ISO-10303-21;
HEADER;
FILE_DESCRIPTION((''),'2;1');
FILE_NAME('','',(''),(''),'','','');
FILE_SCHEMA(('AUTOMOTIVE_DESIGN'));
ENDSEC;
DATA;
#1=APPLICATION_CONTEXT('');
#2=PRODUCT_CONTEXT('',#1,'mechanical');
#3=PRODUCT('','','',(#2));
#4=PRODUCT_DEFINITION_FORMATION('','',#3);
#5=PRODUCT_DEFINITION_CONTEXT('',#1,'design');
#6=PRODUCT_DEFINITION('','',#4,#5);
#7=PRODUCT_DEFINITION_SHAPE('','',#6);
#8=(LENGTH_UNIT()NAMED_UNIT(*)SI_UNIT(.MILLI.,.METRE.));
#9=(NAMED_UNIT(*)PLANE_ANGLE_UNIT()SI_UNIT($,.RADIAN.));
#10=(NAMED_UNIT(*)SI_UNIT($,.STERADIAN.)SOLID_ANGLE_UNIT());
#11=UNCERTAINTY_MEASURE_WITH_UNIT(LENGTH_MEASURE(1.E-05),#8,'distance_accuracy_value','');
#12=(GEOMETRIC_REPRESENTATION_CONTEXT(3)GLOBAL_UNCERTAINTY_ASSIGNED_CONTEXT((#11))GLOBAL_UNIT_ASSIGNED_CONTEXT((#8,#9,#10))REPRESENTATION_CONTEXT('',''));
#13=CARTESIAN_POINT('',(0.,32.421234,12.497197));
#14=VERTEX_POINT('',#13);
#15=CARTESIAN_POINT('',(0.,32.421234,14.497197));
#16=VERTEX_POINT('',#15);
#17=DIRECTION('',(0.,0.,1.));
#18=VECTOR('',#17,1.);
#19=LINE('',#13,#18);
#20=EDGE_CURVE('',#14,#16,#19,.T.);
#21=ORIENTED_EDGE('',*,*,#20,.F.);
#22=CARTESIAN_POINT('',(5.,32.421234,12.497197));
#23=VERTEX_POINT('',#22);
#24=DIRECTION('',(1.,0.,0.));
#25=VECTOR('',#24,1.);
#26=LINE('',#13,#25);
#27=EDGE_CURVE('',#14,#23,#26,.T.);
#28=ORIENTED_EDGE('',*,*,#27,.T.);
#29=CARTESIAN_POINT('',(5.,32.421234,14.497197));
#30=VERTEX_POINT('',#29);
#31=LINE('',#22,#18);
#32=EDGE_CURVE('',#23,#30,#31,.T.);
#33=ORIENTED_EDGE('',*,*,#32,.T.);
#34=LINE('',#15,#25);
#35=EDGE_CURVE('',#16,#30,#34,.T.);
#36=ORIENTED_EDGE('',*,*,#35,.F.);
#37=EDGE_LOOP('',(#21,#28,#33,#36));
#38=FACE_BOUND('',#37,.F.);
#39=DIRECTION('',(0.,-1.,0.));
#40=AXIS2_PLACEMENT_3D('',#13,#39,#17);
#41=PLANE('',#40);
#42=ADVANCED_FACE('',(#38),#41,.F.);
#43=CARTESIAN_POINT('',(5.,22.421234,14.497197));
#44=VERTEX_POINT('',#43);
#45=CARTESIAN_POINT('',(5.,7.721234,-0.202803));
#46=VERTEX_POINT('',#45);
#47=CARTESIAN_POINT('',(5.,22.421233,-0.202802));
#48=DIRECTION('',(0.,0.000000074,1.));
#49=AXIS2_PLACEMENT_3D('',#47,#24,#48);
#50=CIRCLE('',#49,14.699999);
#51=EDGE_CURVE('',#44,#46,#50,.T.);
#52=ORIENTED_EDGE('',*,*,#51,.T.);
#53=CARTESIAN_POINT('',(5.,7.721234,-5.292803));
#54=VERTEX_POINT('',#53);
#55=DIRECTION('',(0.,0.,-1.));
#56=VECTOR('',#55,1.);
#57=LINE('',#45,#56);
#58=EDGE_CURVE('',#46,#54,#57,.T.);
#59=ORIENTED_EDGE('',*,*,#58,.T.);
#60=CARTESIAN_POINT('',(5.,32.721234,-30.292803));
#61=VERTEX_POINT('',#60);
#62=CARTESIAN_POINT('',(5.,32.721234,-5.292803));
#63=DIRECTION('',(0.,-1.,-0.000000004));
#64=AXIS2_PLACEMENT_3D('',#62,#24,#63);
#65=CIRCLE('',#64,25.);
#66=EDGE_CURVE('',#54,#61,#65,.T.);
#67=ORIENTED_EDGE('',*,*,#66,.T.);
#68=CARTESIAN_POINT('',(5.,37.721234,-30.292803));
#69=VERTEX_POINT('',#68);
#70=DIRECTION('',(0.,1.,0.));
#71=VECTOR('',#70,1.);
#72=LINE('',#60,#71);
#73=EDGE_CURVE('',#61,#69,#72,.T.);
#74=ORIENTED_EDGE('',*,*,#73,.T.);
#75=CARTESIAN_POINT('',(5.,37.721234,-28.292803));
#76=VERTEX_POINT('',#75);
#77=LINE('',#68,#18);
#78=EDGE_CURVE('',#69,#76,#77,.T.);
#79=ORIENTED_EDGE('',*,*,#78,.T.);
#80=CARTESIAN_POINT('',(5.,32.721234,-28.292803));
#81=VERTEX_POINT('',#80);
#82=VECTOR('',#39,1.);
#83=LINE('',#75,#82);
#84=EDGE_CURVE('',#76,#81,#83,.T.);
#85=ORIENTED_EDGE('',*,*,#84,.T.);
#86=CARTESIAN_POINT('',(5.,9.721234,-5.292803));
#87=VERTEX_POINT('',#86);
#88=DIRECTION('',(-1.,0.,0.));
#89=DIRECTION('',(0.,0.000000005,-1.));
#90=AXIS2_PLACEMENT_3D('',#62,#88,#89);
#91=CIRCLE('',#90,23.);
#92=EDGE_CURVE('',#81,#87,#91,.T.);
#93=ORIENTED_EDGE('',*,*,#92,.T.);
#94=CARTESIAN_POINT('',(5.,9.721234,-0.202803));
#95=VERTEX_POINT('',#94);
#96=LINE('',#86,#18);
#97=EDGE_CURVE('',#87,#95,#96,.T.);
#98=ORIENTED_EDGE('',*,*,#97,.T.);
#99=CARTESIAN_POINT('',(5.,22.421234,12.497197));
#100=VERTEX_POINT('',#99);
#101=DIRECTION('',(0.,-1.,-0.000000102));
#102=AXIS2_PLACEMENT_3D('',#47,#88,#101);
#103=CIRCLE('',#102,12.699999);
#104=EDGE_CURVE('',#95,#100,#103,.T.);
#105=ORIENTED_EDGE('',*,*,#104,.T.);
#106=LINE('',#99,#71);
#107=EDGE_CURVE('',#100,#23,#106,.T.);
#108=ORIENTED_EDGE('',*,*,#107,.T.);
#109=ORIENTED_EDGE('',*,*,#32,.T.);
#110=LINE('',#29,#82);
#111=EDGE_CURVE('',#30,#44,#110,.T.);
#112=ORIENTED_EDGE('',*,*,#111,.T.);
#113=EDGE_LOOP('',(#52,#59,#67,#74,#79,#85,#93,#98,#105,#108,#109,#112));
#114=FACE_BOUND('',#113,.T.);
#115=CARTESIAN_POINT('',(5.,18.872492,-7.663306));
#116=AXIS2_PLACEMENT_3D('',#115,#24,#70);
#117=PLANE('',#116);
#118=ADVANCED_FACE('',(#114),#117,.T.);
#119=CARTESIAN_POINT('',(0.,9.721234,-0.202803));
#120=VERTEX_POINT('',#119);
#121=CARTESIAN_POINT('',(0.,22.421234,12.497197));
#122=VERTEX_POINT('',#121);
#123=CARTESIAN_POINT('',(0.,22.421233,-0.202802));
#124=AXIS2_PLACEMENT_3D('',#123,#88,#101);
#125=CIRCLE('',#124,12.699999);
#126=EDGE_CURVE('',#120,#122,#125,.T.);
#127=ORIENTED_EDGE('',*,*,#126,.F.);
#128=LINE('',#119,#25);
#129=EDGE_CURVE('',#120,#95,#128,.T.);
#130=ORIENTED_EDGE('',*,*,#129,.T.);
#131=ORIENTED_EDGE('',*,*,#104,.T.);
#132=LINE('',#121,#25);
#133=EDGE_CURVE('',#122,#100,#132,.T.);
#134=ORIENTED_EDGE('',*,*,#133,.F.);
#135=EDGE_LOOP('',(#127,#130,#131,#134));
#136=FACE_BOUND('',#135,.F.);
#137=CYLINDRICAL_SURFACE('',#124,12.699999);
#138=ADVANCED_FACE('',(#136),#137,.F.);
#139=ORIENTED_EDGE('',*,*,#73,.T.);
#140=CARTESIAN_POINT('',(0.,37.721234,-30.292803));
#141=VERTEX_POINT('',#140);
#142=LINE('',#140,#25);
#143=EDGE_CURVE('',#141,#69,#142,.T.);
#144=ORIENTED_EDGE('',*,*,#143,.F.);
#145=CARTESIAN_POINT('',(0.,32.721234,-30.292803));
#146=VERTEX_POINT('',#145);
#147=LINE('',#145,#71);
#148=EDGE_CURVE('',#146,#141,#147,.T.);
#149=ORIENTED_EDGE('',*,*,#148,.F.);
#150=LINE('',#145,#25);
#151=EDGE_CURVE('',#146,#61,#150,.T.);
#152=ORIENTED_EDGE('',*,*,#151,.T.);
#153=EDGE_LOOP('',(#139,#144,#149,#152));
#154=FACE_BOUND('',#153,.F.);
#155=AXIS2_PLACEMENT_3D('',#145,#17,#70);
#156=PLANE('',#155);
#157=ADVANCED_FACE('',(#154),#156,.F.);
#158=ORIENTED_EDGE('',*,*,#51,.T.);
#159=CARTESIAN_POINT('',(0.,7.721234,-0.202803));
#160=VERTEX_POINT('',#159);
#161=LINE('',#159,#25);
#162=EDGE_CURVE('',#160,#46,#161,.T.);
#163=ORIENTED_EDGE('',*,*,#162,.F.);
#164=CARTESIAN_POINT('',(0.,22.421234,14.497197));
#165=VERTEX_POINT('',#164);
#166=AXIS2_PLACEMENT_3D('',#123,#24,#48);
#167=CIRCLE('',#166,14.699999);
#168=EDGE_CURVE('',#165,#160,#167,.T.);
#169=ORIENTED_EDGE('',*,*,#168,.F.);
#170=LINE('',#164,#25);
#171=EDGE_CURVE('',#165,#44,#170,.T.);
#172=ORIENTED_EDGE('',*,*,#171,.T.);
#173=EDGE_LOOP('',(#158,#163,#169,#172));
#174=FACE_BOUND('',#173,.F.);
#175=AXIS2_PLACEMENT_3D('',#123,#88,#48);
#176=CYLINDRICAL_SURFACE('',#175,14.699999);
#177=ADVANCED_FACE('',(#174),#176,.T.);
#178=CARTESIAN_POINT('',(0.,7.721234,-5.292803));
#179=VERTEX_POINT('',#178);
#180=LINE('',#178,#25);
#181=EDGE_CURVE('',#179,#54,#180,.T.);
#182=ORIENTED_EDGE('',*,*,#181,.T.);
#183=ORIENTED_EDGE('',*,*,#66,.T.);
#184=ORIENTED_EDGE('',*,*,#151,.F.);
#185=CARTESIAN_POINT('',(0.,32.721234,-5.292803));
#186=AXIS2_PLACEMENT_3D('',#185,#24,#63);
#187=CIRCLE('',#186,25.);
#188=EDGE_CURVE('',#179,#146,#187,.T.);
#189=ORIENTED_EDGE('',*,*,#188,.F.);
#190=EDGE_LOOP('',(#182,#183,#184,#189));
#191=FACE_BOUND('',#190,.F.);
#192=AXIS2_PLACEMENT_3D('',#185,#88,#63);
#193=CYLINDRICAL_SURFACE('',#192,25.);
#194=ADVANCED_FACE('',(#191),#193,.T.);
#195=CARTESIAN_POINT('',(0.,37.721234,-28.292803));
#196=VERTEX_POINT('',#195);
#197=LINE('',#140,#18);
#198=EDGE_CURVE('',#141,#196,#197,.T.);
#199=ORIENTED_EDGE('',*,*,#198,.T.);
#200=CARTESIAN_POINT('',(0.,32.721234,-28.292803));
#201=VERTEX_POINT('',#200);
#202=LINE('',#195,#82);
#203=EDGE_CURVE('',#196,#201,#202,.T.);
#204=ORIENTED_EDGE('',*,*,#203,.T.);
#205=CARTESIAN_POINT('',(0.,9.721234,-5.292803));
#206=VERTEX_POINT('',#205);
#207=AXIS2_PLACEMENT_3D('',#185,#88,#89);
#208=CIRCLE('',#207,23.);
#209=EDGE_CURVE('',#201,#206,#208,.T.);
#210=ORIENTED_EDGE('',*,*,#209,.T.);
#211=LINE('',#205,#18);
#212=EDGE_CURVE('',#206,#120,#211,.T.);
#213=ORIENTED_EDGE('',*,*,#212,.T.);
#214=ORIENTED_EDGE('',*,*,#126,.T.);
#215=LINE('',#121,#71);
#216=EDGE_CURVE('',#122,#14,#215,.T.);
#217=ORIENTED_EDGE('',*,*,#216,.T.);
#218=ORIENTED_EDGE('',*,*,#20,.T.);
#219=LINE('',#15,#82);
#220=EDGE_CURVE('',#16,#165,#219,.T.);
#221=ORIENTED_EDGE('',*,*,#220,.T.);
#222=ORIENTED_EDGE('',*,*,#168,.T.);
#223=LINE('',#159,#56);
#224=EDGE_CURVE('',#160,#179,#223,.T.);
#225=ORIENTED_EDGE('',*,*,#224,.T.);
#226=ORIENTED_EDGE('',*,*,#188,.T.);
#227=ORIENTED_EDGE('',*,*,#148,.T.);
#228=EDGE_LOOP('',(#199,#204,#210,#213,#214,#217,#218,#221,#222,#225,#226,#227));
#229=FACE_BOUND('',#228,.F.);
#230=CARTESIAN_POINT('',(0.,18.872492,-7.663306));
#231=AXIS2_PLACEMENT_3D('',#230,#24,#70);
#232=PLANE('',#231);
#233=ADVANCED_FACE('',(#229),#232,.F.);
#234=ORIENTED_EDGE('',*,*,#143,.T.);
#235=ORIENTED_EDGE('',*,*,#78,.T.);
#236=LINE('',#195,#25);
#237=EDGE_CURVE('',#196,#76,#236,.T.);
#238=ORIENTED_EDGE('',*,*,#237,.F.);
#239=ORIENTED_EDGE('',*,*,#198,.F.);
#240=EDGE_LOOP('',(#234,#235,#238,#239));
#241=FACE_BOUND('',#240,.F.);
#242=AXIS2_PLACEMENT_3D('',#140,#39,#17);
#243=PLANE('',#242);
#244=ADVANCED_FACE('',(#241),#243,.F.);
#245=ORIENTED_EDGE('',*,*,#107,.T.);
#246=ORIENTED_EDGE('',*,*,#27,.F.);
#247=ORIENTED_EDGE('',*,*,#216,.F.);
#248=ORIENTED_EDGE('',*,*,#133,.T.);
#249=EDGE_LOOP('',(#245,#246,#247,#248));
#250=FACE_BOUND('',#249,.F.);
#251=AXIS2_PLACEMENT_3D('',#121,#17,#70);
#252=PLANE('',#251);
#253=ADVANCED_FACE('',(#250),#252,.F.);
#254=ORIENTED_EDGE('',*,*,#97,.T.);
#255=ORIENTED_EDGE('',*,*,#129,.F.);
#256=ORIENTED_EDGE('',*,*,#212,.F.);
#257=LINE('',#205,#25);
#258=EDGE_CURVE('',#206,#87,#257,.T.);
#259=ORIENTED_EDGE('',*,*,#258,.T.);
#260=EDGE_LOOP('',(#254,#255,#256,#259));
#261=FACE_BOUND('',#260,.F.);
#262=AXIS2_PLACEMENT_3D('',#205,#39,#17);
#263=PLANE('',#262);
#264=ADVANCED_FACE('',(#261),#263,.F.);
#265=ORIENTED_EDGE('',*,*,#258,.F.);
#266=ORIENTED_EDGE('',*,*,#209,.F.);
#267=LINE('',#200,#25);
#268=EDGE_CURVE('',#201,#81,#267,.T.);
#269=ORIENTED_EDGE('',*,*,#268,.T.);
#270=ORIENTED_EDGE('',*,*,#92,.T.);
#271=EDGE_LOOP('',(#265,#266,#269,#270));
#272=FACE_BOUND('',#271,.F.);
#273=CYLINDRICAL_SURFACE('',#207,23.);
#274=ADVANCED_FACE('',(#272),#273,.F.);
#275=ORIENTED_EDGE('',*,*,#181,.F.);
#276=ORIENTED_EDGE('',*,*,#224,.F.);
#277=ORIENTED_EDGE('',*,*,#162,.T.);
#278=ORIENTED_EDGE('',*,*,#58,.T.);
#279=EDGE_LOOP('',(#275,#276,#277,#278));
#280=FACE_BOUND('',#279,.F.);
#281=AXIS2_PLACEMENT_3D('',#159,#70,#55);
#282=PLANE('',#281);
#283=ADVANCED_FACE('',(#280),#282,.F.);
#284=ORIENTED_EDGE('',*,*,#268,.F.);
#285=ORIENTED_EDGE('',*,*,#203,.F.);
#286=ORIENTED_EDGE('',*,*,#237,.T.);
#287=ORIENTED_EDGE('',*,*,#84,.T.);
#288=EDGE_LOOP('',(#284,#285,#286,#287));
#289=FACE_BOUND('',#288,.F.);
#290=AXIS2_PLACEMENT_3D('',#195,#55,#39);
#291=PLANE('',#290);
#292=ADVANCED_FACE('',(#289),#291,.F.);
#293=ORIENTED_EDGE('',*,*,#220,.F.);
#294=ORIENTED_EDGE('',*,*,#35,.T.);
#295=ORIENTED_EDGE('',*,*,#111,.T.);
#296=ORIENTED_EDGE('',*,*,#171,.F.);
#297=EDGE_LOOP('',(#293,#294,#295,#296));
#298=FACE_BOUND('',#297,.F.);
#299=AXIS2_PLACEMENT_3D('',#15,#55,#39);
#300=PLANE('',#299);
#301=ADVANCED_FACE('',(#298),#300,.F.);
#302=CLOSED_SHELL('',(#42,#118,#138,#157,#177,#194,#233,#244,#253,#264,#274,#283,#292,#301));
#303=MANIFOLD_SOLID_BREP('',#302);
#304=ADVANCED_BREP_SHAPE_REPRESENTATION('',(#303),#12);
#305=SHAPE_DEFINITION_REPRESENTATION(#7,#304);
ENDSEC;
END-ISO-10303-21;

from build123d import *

# Parameters (mm, degrees)
F1_DEPTH = 5


with BuildPart() as f1:
    # F0 (on Right) → F1 (new body)
    with BuildSketch(Plane.YZ):
        with BuildLine():
            Line((9.721234, -5.292803), (9.721234, -0.202803))
            ThreePointArc((9.721234, -0.202803), (13.440977, 8.777453), (22.421234, 12.497197))
            Line((22.421234, 12.497197), (32.421234, 12.497197))
            Line((32.421234, 12.497197), (32.421234, 14.497197))
            Line((32.421234, 14.497197), (22.421234, 14.497197))
            ThreePointArc((22.421234, 14.497197), (12.026764, 10.191667), (7.721234, -0.202803))
            Line((7.721234, -0.202803), (7.721234, -5.292803))
            ThreePointArc((7.721234, -5.292803), (15.043564, -22.970472), (32.721234, -30.292803))
            Line((32.721234, -30.292803), (37.721234, -30.292803))
            Line((37.721234, -30.292803), (37.721234, -28.292803))
            Line((37.721234, -28.292803), (32.721234, -28.292803))
            ThreePointArc((32.721234, -28.292803), (16.457778, -21.556259), (9.721234, -5.292803))
        make_face()
    extrude(amount=F1_DEPTH)


solid = f1.part
